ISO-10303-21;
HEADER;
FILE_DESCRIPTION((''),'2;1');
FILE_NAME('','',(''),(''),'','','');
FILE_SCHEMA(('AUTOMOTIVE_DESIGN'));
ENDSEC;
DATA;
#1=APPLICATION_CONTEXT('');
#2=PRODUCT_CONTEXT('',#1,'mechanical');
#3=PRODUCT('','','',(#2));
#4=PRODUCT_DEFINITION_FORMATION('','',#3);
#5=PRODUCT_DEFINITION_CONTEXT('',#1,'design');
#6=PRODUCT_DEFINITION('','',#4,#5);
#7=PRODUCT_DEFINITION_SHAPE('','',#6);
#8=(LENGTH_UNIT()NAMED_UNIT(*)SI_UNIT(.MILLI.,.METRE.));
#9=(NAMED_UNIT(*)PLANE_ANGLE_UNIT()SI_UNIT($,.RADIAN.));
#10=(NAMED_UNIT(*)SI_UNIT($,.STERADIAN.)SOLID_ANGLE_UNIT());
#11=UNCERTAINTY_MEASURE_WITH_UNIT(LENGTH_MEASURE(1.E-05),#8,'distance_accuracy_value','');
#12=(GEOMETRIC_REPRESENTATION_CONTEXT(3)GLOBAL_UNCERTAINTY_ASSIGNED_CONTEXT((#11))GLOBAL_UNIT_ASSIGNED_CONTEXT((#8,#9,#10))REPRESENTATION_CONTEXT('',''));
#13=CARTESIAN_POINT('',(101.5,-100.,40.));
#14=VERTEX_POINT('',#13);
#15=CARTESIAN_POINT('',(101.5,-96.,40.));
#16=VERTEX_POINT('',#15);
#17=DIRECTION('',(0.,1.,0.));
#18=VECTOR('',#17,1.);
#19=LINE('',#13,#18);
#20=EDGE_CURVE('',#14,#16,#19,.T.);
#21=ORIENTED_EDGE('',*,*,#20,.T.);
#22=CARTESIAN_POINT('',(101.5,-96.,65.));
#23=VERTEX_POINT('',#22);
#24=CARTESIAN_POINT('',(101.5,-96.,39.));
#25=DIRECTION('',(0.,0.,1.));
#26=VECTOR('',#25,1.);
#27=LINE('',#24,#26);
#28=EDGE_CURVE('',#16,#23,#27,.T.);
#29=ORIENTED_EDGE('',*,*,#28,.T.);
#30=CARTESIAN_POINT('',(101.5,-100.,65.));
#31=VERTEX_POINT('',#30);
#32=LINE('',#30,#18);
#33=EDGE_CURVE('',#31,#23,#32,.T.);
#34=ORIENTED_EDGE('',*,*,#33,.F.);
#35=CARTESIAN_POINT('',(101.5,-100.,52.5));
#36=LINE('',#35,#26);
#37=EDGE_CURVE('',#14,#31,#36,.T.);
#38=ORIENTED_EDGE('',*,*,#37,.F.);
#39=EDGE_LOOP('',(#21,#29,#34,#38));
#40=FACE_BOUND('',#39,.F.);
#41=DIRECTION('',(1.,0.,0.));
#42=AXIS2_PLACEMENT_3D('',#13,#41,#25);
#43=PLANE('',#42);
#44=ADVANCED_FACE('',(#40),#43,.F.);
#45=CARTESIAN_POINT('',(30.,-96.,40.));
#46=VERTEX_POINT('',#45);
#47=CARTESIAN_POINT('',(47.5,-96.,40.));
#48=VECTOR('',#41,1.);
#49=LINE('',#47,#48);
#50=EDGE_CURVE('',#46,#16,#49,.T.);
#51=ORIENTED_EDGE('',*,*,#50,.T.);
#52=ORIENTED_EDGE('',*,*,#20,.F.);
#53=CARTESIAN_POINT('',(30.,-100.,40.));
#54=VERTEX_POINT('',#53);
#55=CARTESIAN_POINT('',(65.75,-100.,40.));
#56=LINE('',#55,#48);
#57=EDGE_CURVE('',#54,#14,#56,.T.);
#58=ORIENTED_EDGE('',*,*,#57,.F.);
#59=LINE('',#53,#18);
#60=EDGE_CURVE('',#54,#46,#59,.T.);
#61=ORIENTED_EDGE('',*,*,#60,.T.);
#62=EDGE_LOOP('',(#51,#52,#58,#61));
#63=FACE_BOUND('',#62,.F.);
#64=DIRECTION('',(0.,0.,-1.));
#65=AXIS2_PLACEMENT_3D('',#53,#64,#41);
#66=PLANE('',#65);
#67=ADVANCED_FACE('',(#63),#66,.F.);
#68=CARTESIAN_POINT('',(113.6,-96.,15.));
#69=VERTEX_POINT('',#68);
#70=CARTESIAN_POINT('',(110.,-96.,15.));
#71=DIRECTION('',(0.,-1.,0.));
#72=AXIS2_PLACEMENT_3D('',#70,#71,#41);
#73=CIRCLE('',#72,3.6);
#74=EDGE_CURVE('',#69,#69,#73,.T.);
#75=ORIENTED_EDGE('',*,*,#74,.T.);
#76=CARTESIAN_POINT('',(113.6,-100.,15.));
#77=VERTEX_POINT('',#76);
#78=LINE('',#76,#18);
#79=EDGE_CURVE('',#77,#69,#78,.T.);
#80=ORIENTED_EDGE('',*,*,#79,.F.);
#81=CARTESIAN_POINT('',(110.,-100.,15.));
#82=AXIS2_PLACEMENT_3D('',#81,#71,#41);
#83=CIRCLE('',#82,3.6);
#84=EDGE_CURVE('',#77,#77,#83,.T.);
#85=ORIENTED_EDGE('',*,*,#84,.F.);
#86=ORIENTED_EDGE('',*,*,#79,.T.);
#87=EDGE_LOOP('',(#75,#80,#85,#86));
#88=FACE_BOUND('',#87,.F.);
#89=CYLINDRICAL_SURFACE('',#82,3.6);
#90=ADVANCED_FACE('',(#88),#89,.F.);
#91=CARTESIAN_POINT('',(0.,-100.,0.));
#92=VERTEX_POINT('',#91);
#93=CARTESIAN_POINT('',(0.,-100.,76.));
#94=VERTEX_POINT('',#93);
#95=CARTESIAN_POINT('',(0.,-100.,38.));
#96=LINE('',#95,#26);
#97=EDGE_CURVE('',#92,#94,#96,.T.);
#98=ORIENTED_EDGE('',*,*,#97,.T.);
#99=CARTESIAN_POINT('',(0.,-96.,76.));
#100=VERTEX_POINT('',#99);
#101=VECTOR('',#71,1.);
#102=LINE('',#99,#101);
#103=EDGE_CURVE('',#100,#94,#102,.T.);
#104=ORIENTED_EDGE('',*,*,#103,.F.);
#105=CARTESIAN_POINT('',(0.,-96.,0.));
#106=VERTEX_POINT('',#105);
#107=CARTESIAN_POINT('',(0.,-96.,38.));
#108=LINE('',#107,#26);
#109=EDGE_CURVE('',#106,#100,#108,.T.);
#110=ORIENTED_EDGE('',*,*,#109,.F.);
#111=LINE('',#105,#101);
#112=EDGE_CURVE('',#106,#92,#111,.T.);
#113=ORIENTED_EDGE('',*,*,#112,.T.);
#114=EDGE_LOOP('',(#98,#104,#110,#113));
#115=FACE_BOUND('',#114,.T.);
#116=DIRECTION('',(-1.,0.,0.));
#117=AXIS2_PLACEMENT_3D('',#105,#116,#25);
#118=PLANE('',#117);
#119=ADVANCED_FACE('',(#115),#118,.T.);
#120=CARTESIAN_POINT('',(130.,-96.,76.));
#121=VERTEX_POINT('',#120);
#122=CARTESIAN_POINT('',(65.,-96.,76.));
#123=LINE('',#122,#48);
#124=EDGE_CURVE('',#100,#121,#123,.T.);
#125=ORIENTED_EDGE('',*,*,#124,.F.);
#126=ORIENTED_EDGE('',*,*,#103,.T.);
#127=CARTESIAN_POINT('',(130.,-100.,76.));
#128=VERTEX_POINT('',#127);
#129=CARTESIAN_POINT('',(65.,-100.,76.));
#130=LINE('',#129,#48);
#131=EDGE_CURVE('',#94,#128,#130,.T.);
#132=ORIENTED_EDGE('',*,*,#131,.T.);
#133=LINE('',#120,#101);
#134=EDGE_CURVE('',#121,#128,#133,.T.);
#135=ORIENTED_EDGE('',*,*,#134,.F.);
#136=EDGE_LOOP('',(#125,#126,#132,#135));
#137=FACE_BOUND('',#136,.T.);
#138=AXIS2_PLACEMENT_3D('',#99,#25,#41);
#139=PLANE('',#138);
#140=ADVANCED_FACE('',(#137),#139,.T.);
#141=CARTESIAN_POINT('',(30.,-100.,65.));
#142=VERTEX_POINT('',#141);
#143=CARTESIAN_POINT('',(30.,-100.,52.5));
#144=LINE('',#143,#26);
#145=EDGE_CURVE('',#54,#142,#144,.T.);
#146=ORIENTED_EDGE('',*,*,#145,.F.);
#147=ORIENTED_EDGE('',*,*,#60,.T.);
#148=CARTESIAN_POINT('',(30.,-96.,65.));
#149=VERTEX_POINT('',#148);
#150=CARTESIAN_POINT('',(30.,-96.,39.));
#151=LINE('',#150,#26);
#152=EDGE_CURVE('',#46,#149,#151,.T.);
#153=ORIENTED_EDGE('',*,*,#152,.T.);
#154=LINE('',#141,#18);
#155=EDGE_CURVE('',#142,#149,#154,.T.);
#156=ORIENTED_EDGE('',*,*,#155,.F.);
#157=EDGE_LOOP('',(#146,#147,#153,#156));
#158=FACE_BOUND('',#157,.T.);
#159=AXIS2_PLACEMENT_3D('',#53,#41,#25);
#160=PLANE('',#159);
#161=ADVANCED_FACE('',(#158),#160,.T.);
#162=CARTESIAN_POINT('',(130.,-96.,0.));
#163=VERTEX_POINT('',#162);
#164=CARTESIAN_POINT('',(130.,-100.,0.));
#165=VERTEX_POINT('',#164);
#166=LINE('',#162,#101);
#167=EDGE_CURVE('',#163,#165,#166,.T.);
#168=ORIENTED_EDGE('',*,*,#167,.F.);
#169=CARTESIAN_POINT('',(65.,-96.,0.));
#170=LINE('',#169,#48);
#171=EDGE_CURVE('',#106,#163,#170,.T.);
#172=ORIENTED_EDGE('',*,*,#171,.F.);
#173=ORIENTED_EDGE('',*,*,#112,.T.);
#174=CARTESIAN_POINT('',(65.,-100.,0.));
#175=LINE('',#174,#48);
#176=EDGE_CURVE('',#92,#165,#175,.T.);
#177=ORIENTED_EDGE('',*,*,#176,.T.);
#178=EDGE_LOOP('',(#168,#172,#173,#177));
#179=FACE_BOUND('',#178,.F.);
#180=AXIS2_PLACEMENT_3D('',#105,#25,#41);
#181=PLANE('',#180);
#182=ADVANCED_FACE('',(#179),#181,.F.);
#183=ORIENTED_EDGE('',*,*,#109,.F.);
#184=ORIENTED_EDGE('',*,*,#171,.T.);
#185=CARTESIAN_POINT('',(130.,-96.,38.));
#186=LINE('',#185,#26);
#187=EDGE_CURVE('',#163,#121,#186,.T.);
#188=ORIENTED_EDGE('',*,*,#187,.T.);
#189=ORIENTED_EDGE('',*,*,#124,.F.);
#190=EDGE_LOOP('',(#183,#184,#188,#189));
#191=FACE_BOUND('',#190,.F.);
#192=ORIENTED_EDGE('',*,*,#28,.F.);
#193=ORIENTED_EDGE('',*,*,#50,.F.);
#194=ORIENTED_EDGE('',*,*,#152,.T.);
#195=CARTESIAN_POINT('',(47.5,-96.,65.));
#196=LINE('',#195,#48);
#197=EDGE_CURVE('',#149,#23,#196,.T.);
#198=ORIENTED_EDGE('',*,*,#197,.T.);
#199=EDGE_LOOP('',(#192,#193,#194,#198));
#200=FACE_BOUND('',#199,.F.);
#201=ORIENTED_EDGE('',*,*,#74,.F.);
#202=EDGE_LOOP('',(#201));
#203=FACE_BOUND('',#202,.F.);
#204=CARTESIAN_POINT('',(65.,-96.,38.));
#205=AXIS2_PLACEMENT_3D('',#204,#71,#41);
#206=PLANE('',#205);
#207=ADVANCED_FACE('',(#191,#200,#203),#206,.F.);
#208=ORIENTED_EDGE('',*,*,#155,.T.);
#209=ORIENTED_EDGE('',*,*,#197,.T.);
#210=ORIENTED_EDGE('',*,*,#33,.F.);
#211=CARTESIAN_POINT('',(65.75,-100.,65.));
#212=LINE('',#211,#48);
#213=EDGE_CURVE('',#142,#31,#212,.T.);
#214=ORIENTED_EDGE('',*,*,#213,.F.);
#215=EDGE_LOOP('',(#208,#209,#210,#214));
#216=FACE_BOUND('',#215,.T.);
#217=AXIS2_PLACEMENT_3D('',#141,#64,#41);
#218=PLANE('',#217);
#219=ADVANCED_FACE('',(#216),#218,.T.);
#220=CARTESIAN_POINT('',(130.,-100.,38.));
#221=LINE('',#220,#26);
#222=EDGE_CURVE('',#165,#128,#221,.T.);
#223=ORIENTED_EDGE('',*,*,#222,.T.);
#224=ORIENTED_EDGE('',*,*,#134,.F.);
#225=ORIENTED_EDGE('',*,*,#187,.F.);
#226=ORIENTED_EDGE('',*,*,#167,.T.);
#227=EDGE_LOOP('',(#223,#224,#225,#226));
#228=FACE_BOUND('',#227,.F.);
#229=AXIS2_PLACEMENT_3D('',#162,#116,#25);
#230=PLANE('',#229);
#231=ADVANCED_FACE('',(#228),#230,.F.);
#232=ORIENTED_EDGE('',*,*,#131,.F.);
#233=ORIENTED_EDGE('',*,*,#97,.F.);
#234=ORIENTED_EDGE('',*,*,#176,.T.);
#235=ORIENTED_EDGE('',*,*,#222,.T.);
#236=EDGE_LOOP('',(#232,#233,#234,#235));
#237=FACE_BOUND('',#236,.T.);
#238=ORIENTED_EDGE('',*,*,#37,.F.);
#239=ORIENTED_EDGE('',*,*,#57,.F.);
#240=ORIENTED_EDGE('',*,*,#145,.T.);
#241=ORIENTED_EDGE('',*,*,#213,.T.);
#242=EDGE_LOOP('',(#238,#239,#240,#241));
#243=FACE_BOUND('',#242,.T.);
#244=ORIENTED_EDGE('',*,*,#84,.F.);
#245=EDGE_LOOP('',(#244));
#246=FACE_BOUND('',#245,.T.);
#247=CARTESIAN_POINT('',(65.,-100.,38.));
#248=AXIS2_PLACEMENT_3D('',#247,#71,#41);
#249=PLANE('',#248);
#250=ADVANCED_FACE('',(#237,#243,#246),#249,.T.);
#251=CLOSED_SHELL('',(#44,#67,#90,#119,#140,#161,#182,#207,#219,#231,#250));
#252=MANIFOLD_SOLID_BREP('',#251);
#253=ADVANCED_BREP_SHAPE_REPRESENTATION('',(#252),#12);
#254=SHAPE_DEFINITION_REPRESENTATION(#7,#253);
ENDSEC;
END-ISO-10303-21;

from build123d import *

# Parameters (mm, degrees)
SKETCH005_W     = 130
SKETCH005_H     = 76
PAD003_DEPTH    = 4
SKETCH006_W     = 71.5
SKETCH006_H     = 25
POCKET001_DEPTH = 4.001
SKETCH007_R     = 3.6
HOLE001_DEPTH   = 4.001


with BuildPart() as part:
    # Sketch005 → Pad003 (new body)
    with BuildSketch(Plane.XZ.offset(96)):
        with Locations((65, 38)):
            Rectangle(SKETCH005_W, SKETCH005_H)
    extrude(amount=PAD003_DEPTH)

    # Sketch006 (on Face6 of Pad003) → Pocket001 (cut, through all)
    with BuildSketch(Plane.XZ.offset(100)):
        with Locations((65.75, 52.5)):
            Rectangle(SKETCH006_W, SKETCH006_H)
    extrude(amount=-POCKET001_DEPTH, mode=Mode.SUBTRACT)

    # Sketch007 (on Face5 of Pocket001) → Hole001 (cut, through all)
    with BuildSketch(Plane.XZ.offset(100)):
        with Locations((110, 15)):
            Circle(SKETCH007_R)
    extrude(amount=-HOLE001_DEPTH, mode=Mode.SUBTRACT)


solid = part.part
